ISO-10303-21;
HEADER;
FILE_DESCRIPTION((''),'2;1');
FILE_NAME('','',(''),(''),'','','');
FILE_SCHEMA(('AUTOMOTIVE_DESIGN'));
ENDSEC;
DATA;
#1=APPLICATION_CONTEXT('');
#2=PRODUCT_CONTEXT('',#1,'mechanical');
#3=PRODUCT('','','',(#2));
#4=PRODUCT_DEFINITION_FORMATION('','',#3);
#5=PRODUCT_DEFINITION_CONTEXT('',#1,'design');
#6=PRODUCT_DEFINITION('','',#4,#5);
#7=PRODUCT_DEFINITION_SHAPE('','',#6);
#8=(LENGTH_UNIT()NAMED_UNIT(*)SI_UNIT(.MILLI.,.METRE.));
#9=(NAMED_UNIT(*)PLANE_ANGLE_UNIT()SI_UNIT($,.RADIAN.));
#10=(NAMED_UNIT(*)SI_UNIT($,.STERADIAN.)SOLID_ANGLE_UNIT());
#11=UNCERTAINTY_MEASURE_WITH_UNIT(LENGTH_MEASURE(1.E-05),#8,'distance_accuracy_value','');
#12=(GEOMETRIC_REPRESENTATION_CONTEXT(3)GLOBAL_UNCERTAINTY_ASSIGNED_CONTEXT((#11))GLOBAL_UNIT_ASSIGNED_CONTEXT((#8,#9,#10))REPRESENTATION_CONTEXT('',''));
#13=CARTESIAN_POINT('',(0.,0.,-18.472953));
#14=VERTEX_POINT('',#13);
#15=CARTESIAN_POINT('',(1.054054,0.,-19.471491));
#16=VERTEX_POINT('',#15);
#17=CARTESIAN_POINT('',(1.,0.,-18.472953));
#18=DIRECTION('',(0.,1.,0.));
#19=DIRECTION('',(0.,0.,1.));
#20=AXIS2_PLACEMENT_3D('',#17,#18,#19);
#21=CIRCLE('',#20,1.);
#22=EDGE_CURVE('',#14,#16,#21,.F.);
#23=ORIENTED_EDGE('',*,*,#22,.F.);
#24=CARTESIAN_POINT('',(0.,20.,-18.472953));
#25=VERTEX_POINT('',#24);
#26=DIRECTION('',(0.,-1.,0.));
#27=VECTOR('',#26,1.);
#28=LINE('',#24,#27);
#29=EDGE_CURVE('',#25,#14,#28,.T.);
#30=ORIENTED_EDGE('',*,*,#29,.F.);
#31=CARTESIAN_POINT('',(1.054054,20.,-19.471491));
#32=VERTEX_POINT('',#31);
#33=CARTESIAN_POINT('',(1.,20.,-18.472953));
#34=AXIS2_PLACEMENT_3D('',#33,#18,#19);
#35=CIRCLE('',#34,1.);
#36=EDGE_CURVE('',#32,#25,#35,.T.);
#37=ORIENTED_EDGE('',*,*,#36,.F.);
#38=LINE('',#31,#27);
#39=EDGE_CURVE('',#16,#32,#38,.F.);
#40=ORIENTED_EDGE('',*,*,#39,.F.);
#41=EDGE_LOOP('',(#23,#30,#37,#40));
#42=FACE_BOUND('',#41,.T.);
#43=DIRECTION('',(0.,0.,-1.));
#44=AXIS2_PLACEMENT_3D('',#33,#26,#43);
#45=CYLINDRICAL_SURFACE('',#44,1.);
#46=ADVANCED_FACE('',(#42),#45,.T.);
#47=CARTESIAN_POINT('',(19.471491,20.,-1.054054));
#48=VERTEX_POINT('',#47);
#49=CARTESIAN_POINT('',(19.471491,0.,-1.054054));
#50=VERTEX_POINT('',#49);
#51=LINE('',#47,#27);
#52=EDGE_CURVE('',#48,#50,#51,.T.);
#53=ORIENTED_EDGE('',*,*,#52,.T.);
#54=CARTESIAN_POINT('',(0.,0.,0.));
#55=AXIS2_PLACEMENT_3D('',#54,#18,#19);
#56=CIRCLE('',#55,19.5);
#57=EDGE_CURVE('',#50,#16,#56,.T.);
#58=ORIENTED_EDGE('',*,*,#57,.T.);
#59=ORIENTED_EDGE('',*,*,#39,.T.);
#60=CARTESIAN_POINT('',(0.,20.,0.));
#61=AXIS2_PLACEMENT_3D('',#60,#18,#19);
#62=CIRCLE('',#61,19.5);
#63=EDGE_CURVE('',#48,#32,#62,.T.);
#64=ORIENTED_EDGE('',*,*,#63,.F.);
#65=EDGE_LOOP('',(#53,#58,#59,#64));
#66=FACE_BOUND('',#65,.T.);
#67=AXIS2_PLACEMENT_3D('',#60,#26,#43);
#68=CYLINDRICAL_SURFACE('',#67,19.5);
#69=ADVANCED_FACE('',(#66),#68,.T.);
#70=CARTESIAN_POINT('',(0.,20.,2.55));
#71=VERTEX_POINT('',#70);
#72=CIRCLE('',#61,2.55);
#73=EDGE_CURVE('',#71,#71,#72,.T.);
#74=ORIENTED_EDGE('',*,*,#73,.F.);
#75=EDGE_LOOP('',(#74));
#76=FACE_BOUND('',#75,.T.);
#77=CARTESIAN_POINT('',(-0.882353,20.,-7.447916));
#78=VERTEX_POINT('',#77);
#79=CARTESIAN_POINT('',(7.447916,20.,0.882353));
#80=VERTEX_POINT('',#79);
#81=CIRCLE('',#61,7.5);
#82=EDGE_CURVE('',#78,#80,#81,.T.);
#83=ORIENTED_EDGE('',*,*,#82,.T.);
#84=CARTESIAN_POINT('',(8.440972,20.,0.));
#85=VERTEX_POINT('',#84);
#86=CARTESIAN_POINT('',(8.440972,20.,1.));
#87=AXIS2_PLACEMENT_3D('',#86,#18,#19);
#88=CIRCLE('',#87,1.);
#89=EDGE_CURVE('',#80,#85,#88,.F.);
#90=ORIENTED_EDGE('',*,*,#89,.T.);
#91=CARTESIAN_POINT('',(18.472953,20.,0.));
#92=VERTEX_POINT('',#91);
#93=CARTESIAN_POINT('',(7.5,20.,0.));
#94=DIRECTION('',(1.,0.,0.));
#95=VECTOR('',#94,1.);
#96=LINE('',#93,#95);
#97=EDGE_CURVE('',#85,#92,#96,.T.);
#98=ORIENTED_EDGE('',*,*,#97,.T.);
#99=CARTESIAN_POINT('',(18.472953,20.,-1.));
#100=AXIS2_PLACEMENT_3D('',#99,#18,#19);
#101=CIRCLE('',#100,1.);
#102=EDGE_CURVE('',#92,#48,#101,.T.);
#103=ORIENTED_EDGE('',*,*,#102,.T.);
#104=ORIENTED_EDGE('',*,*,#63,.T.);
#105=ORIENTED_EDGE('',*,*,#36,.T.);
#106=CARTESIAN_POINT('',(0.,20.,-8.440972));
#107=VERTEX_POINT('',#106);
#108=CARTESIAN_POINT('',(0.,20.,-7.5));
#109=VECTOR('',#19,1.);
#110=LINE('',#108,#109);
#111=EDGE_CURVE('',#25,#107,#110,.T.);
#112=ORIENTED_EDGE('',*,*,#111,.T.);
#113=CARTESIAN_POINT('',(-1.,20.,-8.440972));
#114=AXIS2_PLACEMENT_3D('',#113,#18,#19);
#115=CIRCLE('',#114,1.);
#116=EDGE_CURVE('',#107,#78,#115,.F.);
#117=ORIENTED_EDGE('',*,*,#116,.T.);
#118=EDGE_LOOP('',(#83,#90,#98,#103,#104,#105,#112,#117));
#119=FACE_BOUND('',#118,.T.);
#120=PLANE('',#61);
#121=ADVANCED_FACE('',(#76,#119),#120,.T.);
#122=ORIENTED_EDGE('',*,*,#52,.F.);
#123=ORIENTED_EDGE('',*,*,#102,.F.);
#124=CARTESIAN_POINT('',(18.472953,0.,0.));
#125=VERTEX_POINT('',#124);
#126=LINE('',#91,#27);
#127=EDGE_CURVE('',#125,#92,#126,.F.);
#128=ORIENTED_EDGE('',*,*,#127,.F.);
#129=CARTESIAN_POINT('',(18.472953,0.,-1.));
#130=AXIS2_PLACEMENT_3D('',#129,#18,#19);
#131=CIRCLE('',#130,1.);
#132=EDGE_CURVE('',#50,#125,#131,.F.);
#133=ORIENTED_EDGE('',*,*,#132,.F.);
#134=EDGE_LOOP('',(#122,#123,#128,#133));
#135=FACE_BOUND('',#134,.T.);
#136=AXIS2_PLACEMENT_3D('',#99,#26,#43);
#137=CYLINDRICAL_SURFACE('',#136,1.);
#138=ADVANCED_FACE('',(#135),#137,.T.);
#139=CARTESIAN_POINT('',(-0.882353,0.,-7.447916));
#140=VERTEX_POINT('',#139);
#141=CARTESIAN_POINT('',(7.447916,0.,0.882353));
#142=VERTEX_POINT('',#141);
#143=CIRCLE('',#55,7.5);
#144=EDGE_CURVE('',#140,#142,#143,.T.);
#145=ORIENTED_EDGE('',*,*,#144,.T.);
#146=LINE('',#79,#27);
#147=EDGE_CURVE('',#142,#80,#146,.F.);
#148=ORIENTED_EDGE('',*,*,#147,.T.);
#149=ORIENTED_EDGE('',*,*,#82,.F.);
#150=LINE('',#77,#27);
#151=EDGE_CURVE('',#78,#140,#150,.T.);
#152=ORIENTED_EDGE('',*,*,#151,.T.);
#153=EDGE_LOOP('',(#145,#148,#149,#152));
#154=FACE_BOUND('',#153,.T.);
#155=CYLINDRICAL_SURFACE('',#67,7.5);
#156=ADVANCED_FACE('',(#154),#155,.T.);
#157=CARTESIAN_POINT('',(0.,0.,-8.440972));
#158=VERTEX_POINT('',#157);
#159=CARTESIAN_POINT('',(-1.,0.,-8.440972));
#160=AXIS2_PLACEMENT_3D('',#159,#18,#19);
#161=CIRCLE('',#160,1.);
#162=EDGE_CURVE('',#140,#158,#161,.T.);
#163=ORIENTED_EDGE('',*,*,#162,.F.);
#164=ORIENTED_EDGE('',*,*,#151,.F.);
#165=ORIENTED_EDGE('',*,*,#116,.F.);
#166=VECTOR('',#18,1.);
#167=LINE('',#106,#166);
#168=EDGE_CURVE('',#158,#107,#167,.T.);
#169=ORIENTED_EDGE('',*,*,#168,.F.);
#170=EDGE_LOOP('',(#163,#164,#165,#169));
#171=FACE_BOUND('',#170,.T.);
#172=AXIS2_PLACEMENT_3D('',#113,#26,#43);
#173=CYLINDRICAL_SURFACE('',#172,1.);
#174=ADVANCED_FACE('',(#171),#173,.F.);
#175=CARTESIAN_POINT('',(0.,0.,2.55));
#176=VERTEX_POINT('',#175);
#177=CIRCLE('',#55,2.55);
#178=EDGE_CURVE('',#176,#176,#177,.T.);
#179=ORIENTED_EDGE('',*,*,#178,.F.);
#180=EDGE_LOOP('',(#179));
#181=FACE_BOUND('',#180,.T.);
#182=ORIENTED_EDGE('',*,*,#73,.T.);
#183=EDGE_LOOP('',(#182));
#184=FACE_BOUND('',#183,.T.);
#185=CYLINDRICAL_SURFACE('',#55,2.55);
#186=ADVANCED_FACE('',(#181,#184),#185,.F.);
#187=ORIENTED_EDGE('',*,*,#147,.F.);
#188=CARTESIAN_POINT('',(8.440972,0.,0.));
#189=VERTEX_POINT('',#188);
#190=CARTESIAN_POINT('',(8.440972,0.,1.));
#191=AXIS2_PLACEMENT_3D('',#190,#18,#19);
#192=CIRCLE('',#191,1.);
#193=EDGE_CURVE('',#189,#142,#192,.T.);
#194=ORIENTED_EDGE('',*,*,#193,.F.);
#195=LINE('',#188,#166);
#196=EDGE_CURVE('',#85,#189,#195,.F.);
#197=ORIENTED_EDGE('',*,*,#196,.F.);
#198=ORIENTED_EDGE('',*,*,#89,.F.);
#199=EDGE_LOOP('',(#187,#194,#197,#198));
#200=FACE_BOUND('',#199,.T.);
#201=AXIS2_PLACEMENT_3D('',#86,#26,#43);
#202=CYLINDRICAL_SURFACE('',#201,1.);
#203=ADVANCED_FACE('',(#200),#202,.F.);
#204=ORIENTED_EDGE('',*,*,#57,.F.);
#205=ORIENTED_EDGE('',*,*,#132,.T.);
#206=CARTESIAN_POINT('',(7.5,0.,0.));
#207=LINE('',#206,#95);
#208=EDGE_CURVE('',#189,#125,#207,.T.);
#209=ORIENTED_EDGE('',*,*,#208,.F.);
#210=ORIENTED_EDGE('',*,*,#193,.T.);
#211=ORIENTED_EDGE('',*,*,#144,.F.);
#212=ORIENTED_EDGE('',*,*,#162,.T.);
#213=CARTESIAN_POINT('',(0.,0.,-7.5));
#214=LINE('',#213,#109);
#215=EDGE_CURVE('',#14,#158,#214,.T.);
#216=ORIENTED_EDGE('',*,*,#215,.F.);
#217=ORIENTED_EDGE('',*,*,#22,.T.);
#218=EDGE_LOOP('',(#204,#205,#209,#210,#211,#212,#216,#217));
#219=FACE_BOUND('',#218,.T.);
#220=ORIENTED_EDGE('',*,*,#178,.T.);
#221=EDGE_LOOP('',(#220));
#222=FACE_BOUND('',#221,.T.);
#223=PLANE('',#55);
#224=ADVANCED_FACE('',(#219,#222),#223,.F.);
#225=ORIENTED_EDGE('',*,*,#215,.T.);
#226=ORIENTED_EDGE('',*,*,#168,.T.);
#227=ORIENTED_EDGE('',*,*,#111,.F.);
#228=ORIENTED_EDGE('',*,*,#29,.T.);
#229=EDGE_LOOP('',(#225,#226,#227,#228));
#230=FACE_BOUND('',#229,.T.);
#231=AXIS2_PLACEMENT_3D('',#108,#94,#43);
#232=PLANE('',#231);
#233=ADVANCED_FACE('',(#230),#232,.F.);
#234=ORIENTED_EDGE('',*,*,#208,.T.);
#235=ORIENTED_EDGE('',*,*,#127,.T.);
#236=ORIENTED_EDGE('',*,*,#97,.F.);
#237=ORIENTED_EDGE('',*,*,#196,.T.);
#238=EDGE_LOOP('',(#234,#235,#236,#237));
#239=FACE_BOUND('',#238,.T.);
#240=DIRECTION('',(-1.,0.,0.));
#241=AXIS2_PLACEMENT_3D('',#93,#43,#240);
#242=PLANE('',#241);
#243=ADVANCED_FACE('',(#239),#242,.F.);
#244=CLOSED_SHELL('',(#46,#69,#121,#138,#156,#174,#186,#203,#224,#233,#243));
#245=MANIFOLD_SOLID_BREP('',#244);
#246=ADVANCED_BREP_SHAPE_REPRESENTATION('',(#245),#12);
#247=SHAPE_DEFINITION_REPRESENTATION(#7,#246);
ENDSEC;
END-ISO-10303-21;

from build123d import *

# Parameters (mm, degrees)
BOSS_EXTRUDE2_DEPTH = 20
SKETCH2_R           = 2.55
CUT_EXTRUDE1_DEPTH  = 20
FILLET1_R           = 1


with BuildPart() as part:
    # Sketch1 → Boss-Extrude2 (new body)
    with BuildSketch(Plane(origin=(0, 0, 0), x_dir=(1, 0, 0), z_dir=(0, 1, 0))):
        with BuildLine():
            Line((7.5, 0), (19.5, 0))
            ThreePointArc((19.5, 0), (13.788582233, 13.788582233), (0, 19.5))
            Line((0, 19.5), (0, 7.5))
            ThreePointArc((0, 7.5), (-5.303300859, -5.303300859), (7.5, 0))
        make_face()
    extrude(amount=BOSS_EXTRUDE2_DEPTH)

    # Sketch2 → Cut-Extrude1 (cut)
    with BuildSketch(Plane(origin=(0, 20, 0), x_dir=(1, 0, 0), z_dir=(0, 1, 0))):
        with Locations(Location((0, 0, 0), (0, 0, 270))):
            Circle(SKETCH2_R)
    extrude(amount=-CUT_EXTRUDE1_DEPTH, mode=Mode.SUBTRACT)

    # Fillet1
    fillet1_edges = [part.edges().sort_by_distance(p)[0] for p in [
        (0, 10, -7.5),
        (0, 10, -19.5),
        (19.5, 10, 0),
        (7.5, 10, 0),
    ]]
    fillet(fillet1_edges, radius=FILLET1_R)


solid = part.part
